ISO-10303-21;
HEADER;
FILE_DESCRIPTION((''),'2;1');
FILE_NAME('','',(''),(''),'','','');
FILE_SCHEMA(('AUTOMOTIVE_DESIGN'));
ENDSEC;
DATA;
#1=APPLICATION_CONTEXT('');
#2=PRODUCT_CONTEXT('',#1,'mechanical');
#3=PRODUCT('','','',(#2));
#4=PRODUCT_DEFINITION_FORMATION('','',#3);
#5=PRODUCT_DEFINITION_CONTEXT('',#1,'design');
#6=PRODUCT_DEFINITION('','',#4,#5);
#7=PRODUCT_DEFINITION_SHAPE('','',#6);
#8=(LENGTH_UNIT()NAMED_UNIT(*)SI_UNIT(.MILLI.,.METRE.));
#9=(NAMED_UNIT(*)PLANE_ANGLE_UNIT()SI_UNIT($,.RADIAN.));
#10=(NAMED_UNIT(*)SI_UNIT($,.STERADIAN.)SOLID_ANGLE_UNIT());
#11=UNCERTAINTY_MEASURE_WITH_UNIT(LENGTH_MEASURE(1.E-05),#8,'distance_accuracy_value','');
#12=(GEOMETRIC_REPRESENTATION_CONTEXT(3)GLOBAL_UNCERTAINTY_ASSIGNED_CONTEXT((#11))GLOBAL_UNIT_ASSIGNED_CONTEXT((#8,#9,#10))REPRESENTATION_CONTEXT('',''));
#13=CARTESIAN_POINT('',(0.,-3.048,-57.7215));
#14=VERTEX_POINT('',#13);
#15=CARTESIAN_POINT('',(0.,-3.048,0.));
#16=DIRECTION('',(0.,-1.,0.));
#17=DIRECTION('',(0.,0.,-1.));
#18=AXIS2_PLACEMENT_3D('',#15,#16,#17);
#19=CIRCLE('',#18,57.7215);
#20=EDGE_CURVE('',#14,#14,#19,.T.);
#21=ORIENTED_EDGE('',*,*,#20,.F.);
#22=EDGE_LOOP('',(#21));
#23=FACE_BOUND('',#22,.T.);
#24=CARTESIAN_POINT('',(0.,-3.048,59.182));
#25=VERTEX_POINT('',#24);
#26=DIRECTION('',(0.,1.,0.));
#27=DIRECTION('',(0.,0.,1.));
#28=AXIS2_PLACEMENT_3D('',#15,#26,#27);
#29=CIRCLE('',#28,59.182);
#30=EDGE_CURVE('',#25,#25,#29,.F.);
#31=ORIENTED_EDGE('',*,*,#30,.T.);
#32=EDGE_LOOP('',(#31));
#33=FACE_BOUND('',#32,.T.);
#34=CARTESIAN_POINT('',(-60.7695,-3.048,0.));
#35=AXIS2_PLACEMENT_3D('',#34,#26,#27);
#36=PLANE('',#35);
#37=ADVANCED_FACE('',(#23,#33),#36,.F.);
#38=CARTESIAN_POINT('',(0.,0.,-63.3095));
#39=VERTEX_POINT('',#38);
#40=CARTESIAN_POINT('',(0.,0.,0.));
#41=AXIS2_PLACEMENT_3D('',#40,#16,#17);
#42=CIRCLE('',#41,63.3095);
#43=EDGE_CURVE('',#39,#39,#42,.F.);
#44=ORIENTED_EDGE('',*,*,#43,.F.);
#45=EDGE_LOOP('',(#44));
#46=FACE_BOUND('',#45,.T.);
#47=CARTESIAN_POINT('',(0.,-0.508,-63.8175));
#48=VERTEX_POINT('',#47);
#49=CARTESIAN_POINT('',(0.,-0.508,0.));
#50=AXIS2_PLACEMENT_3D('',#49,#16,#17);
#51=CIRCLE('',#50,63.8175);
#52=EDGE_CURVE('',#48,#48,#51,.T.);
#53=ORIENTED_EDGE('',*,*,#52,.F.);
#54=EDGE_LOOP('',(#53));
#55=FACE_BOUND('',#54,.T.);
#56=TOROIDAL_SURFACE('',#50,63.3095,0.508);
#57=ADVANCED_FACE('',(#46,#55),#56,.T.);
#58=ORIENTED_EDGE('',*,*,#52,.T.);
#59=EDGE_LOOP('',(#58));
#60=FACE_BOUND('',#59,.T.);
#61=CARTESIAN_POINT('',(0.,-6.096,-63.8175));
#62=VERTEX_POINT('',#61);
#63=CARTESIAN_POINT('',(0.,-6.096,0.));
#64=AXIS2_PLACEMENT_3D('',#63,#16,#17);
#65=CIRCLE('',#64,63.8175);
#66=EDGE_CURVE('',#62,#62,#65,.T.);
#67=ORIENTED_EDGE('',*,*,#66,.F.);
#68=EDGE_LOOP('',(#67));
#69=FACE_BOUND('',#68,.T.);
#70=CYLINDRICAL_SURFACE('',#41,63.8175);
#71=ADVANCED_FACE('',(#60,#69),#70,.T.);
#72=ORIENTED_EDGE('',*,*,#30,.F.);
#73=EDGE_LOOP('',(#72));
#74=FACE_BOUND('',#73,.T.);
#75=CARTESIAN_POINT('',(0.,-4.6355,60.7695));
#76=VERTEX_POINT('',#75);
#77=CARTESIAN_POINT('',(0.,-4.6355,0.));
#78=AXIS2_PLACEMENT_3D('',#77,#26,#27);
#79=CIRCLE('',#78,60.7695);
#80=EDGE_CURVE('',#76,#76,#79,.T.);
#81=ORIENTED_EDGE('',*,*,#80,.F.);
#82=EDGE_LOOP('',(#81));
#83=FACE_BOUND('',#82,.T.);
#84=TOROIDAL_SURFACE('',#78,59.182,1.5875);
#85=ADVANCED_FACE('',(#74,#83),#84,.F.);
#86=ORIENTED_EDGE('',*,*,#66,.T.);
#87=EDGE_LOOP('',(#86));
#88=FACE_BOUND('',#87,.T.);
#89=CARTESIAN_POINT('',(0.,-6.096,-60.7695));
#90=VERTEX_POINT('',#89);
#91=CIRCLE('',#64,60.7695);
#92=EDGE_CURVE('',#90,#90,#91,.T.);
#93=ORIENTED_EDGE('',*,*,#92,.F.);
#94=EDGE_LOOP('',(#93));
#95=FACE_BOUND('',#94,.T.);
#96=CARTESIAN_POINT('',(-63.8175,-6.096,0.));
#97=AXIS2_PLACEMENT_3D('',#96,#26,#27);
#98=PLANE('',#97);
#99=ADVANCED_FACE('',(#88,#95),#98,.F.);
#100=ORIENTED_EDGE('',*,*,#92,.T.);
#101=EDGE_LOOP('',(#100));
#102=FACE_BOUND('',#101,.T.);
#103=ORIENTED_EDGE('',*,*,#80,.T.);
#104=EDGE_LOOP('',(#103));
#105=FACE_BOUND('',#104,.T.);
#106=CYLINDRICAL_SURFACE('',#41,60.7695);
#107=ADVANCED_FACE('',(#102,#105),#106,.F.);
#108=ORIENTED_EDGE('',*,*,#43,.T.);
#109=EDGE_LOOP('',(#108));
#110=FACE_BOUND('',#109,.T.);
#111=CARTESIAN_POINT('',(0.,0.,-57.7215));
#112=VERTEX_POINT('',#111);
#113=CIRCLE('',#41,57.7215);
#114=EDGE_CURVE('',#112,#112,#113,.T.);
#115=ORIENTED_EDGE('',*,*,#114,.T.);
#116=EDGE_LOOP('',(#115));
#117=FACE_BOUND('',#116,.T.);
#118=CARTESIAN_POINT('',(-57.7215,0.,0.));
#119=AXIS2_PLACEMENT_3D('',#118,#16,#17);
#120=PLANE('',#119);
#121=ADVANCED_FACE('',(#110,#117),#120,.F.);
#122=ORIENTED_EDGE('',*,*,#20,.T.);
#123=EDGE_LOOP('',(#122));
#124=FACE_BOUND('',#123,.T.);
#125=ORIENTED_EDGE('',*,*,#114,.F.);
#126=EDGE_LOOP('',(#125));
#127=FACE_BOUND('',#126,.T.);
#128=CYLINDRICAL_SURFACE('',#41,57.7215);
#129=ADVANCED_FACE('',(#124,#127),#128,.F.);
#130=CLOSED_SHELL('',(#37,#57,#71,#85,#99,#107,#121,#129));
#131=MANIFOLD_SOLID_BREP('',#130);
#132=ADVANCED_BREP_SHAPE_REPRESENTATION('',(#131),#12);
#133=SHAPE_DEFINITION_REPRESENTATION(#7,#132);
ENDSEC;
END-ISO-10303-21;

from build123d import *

# Parameters (mm, degrees)
FILLET1_R = 1.5875
FILLET2_R = 0.508


with BuildPart() as part:
    # Sketch1 → Revolve1 (revolve)
    with BuildSketch(Plane.XY, mode=Mode.PRIVATE) as revolve1_sk:
        Polygon((-57.7215, 0), (-63.8175, 0), (-63.8175, -6.096), (-60.7695, -6.096), (-60.7695, -3.048), (-57.7215, -3.048), align=None)
    revolve(revolve1_sk.sketch.rotate(Axis((0, 0, 0), (0, 1, 0)), 270), axis=Axis((0, 0, 0), (0, 1, 0)))

    # Fillet1
    fillet1_edges = [part.edges().sort_by_distance(p)[0] for p in [
        (0, -3.048, 60.7695),
    ]]
    fillet(fillet1_edges, radius=FILLET1_R)

    # Fillet2
    fillet2_edges = [part.edges().sort_by_distance(p)[0] for p in [
        (0, 0, 63.8175),
    ]]
    fillet(fillet2_edges, radius=FILLET2_R)


solid = part.part
